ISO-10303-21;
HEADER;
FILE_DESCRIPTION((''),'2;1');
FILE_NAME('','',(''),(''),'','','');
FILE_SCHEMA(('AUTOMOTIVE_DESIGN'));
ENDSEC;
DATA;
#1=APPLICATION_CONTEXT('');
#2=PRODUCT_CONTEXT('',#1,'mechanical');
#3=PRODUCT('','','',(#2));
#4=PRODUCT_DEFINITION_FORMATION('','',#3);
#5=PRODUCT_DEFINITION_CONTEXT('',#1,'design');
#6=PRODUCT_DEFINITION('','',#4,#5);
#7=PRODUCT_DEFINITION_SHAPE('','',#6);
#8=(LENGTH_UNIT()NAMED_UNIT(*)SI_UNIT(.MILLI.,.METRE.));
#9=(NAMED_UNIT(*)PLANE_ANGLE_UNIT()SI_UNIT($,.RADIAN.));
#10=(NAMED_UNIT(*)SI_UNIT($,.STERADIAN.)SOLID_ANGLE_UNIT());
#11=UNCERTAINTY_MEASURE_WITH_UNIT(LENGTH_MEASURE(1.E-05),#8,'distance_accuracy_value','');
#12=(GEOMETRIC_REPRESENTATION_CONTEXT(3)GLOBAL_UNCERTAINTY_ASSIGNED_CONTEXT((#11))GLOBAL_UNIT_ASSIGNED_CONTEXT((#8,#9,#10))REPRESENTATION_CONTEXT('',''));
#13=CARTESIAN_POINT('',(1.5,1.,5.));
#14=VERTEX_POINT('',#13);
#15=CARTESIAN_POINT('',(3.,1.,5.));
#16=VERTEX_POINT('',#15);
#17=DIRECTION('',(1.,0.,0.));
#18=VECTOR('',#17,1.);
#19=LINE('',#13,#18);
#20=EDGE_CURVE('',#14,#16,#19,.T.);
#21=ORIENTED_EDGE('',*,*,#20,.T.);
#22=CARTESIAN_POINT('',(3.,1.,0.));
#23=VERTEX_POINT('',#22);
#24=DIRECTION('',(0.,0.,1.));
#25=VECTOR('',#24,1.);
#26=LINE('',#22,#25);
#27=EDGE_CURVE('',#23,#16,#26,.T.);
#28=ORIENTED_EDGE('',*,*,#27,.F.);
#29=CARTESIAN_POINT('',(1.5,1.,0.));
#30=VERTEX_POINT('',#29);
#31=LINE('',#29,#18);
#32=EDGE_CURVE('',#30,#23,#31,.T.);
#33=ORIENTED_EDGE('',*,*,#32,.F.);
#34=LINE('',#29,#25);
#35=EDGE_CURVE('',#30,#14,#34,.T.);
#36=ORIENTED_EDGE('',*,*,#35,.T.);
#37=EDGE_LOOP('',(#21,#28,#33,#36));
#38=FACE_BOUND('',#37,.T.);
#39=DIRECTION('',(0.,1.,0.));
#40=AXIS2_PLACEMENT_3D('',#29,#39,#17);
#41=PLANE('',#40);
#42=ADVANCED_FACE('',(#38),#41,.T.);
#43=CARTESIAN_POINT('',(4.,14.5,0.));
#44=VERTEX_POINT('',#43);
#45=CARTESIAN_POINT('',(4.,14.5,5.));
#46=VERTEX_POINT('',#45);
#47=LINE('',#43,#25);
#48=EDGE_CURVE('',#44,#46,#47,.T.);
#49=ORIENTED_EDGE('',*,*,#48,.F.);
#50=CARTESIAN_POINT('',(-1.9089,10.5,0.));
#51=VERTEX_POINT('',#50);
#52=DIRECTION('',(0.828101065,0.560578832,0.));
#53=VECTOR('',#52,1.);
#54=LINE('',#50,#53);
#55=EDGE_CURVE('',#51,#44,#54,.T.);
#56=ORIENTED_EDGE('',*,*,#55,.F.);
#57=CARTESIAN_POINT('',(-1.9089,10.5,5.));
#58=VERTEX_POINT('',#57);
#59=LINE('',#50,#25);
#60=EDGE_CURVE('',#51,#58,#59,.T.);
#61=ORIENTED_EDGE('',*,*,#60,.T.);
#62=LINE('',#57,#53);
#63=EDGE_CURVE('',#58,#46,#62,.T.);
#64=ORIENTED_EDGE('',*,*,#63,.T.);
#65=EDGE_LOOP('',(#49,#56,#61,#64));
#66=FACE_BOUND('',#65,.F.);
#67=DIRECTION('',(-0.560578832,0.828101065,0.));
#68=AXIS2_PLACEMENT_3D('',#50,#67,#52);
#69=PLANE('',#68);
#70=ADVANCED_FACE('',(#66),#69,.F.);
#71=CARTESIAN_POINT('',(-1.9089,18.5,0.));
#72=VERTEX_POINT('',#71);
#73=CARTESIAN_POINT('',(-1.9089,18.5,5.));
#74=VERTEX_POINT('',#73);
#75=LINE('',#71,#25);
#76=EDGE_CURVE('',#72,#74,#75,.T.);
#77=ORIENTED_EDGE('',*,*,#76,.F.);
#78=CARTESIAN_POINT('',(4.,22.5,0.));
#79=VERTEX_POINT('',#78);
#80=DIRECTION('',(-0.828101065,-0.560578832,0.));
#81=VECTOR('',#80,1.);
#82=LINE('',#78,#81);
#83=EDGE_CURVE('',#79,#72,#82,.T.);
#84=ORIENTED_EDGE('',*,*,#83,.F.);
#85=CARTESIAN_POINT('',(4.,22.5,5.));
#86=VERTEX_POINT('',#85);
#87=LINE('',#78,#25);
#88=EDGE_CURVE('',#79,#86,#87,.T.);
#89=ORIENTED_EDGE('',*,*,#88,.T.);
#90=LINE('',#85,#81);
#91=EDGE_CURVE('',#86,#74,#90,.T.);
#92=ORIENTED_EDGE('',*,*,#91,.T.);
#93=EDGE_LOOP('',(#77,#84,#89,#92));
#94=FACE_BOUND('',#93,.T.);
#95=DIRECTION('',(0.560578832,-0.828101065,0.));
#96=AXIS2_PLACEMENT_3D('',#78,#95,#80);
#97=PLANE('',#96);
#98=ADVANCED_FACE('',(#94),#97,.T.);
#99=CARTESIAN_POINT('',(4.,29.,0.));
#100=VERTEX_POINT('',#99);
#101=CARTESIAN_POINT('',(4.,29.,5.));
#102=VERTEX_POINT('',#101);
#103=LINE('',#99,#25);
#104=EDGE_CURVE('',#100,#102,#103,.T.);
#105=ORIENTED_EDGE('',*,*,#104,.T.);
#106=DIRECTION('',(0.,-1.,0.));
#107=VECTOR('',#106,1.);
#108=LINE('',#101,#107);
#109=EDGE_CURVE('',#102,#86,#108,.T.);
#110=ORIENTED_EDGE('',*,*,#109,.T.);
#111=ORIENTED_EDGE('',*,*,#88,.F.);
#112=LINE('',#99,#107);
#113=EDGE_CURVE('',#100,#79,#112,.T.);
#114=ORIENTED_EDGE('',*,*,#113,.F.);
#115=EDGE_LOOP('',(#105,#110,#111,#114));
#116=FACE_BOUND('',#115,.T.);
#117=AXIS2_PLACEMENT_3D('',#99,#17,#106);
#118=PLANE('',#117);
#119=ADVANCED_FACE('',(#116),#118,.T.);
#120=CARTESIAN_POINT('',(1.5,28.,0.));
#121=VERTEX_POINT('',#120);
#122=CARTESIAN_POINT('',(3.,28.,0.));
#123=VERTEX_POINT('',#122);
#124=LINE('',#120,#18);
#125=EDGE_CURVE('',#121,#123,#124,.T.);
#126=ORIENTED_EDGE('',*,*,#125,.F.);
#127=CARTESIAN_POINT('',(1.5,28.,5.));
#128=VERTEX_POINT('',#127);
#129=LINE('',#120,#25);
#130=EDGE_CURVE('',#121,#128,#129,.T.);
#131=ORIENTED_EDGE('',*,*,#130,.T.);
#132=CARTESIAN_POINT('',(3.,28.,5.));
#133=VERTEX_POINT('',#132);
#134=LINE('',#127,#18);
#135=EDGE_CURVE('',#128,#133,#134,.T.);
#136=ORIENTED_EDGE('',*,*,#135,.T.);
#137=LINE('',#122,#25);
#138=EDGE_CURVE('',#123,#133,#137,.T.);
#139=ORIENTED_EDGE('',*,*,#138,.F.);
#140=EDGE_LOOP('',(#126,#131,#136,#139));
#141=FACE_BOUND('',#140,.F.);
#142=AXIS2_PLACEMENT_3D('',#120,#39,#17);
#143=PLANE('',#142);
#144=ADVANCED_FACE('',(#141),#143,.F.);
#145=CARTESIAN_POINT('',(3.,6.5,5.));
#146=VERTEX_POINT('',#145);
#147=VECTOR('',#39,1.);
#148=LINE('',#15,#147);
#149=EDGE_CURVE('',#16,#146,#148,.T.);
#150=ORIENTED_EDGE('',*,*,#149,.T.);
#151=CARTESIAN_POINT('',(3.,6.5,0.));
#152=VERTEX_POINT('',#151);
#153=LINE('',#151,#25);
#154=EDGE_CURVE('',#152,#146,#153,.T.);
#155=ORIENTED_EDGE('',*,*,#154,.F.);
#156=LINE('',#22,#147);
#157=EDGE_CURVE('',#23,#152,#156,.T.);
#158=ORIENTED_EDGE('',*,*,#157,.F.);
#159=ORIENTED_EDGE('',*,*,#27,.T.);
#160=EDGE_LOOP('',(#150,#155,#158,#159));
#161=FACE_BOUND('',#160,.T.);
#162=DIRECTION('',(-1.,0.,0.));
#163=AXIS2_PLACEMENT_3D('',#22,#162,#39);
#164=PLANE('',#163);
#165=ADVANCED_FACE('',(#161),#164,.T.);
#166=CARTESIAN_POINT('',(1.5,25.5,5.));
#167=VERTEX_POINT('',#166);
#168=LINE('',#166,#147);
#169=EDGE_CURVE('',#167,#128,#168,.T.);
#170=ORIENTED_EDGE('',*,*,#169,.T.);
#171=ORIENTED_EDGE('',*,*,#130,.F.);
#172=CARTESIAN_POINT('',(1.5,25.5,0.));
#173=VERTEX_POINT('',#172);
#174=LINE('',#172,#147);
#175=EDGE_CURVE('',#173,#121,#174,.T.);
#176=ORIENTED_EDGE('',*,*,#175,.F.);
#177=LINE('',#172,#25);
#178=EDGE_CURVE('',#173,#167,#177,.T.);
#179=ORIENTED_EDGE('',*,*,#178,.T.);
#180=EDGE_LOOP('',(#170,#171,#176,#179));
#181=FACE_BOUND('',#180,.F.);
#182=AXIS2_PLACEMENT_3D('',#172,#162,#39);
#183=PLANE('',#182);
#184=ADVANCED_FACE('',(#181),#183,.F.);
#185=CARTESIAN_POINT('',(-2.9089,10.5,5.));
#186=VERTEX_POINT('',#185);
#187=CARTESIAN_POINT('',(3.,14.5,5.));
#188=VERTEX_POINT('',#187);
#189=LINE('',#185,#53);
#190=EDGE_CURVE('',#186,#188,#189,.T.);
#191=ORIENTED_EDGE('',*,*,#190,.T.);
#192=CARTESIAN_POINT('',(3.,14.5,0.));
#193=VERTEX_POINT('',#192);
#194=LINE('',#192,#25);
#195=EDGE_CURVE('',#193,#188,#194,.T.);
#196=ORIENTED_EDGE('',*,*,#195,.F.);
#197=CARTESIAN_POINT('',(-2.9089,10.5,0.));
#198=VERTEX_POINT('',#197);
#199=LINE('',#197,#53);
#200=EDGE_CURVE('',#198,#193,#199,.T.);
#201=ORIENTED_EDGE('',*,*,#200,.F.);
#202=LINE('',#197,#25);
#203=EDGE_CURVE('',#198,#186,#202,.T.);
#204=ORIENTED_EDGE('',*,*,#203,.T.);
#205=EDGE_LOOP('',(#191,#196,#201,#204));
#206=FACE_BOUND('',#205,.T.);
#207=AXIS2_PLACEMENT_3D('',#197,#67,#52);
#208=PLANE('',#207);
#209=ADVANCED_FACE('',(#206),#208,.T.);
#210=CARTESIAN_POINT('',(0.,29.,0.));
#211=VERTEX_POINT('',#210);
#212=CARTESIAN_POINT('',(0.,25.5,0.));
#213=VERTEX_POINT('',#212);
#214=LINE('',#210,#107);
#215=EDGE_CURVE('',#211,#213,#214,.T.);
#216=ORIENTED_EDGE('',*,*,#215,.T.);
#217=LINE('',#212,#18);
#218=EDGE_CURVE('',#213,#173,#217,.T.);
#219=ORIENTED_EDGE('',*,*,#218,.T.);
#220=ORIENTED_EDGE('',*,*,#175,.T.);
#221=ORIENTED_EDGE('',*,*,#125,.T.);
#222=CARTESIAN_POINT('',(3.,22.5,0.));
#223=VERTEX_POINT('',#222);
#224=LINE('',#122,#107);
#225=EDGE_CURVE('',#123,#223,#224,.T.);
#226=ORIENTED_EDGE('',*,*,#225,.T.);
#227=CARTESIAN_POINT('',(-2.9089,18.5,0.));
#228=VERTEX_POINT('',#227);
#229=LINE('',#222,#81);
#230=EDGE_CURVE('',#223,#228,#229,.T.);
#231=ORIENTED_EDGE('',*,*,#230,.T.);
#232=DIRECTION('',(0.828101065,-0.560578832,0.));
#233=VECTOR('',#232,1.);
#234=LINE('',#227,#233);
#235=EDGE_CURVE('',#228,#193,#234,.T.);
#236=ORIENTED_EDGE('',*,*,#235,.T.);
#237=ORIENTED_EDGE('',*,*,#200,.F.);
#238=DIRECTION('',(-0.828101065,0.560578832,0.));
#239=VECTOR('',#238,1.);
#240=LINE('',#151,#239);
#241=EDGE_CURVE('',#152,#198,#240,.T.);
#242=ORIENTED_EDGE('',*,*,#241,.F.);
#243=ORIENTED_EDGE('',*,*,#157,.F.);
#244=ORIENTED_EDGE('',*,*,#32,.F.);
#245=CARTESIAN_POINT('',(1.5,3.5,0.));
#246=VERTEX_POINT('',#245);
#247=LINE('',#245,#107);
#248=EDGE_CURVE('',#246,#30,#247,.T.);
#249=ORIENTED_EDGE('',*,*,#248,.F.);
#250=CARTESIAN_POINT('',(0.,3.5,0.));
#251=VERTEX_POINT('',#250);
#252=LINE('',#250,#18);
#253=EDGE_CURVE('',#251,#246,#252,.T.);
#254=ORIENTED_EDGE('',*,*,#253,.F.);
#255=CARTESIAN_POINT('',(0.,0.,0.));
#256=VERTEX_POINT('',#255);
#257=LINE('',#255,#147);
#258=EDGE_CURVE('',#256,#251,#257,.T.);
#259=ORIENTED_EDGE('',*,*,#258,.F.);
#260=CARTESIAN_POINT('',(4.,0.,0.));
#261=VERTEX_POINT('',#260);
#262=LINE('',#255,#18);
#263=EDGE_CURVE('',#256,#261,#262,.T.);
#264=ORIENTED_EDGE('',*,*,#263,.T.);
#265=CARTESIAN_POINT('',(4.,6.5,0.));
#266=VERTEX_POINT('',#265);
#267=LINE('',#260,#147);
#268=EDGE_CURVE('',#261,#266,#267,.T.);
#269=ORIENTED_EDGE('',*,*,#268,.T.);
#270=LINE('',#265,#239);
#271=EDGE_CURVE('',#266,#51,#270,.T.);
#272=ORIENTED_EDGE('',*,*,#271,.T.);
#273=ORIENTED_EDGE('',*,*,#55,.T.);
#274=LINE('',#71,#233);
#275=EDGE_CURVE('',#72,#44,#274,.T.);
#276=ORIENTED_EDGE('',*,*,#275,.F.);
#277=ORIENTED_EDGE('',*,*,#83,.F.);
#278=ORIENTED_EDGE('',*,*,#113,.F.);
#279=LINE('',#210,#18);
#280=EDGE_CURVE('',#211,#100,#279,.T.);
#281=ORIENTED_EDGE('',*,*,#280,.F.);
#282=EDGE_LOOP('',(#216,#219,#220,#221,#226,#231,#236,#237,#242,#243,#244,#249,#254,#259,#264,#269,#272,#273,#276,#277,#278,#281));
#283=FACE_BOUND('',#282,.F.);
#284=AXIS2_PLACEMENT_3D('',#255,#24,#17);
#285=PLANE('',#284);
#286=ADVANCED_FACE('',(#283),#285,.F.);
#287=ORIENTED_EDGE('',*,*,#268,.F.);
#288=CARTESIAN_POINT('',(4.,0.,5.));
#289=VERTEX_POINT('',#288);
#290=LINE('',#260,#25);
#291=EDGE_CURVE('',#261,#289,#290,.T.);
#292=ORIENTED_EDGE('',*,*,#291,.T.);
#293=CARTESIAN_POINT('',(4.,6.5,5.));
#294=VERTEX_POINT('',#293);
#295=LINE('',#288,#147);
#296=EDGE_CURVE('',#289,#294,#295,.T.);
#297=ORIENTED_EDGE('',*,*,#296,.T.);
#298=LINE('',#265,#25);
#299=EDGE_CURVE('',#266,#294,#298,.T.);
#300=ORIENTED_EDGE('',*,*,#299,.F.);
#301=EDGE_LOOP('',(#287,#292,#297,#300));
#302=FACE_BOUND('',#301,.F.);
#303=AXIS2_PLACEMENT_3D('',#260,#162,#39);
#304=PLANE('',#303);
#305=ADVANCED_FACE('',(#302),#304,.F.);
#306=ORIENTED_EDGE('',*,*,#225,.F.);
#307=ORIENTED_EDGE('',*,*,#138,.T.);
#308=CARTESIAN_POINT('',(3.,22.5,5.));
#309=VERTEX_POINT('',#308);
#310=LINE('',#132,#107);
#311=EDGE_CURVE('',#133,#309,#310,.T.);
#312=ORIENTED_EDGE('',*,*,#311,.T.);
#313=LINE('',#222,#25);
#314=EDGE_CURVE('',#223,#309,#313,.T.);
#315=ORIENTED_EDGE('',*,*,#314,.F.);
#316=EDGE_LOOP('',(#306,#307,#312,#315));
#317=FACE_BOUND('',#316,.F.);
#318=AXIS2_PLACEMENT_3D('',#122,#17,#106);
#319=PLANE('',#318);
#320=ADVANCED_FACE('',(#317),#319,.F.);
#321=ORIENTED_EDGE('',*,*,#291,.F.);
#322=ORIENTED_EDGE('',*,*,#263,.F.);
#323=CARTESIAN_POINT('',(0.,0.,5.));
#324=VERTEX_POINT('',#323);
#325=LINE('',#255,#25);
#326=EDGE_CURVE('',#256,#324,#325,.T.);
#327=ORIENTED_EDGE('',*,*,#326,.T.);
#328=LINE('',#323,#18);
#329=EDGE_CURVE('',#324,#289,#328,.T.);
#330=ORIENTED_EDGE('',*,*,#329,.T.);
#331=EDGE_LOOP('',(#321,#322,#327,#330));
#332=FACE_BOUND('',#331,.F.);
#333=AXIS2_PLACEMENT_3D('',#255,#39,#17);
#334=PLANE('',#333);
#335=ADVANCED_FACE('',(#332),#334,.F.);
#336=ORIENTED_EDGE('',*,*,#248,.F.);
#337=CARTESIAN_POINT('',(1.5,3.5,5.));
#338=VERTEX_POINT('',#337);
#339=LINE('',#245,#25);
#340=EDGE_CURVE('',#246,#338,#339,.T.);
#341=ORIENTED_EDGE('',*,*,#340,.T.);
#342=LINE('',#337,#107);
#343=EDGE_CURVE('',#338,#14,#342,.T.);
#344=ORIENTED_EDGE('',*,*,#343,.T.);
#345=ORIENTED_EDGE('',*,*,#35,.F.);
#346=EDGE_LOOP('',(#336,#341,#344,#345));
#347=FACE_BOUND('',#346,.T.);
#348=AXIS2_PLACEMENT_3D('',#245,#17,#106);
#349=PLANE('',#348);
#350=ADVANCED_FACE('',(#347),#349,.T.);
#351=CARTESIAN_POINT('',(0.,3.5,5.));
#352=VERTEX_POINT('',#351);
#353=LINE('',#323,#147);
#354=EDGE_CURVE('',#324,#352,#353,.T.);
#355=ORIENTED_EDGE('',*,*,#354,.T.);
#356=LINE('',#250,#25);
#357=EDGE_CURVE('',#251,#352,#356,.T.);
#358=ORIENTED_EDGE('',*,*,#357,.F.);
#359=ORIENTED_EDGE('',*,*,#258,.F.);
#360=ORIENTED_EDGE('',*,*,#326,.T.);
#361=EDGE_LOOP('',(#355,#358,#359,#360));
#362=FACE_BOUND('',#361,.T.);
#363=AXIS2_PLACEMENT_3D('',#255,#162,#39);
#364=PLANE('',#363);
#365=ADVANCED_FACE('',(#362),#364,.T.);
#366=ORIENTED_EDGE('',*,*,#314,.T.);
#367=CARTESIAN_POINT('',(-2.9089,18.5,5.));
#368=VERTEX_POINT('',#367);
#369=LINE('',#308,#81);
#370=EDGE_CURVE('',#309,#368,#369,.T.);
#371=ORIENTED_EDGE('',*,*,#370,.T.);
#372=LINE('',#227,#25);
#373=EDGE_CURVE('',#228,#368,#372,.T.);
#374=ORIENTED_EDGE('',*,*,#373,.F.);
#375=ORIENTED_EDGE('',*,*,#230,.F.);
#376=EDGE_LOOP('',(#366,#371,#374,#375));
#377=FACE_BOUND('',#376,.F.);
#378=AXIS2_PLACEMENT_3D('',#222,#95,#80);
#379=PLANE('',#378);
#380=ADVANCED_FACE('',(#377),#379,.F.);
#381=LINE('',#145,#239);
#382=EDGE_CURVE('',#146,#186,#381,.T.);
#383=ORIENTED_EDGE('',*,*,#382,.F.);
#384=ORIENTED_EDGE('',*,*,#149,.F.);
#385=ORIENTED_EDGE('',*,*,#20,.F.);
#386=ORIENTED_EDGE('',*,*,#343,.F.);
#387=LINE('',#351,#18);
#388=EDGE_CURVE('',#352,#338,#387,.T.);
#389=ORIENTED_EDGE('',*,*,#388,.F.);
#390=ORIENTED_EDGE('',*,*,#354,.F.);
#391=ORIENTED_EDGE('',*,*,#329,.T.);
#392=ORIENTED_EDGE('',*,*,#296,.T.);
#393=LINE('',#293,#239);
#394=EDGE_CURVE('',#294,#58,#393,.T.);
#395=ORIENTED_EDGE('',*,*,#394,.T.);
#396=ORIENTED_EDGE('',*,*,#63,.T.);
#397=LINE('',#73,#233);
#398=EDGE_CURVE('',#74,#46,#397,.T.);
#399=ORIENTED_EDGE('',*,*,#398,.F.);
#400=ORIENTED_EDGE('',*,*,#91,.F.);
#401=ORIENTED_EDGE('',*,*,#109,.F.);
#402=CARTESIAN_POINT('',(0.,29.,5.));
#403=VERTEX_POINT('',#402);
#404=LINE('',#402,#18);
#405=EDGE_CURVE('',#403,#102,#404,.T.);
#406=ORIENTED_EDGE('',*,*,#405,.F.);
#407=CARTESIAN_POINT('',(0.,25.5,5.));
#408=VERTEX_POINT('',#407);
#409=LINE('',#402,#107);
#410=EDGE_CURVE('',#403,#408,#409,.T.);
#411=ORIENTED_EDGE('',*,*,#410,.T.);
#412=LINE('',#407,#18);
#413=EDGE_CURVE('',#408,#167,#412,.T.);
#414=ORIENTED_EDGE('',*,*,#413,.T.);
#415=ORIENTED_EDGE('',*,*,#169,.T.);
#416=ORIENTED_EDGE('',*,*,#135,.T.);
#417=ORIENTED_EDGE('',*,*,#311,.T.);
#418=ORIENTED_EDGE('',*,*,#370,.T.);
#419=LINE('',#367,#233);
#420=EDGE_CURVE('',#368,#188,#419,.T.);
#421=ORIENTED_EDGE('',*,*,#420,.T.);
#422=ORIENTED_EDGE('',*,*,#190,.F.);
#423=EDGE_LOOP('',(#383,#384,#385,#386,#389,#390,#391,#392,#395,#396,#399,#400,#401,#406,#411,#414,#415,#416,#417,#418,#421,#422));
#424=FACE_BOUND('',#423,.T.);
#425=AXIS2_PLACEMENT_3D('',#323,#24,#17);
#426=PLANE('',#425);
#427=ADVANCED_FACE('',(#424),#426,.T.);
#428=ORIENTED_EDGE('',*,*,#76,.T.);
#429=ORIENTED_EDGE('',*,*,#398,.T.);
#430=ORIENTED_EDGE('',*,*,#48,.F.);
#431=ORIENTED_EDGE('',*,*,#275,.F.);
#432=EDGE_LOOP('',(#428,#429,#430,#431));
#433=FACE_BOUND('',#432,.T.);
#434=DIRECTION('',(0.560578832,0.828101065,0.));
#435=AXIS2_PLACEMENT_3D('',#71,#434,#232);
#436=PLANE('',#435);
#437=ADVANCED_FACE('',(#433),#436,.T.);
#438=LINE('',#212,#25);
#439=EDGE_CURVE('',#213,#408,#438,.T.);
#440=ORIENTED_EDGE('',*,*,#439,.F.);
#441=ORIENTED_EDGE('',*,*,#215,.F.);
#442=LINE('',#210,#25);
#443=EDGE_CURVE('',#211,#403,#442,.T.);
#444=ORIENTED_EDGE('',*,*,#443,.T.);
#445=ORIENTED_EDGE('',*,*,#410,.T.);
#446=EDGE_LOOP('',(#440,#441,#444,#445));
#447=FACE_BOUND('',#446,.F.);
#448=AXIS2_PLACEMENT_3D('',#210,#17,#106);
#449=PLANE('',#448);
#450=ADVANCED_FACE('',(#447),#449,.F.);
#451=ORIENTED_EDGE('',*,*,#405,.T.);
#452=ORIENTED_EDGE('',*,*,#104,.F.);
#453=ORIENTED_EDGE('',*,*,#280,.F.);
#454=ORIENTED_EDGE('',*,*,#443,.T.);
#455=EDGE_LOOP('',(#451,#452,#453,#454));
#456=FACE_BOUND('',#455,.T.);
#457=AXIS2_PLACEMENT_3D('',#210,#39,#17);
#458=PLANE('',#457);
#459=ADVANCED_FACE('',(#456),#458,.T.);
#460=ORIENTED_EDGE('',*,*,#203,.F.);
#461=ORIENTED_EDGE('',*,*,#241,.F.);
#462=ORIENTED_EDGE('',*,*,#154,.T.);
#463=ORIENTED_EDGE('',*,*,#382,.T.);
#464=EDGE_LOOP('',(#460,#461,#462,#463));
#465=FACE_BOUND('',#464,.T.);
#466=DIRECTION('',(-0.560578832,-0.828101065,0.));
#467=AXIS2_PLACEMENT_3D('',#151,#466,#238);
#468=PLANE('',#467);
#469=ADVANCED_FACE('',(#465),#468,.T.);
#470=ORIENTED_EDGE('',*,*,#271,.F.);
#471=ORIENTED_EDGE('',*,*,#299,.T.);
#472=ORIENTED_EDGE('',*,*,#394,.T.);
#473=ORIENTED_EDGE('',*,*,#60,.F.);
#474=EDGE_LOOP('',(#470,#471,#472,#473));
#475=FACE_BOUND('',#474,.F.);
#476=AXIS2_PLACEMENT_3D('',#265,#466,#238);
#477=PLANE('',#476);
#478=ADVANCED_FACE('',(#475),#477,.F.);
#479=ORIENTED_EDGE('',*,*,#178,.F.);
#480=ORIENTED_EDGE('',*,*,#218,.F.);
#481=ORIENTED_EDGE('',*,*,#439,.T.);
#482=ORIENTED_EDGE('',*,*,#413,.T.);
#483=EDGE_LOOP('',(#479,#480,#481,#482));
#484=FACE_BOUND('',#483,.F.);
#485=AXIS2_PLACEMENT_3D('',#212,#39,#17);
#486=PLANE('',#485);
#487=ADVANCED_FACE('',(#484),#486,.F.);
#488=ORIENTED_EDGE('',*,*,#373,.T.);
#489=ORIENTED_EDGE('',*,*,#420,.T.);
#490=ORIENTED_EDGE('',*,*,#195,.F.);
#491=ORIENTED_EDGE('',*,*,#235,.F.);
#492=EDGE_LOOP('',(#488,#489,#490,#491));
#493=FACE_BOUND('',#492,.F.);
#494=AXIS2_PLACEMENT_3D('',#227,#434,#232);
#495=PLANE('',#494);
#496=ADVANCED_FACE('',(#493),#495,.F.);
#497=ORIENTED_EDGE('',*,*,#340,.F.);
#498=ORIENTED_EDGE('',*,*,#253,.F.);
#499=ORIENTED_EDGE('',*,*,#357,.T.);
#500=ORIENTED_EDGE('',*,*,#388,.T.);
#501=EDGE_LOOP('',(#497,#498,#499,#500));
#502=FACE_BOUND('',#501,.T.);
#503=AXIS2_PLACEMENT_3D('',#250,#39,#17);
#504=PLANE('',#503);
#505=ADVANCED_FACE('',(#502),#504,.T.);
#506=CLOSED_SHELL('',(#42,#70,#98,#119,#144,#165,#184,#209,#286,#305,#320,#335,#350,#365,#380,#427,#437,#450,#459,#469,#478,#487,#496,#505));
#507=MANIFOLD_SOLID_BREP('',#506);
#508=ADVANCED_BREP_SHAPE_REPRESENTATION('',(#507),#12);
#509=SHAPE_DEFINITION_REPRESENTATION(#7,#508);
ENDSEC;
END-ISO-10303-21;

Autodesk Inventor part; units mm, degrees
ref_plane "YZ Plane" through (0, 0, 0) normal (1, 0, 0) x (0, 1, 0)
ref_plane "XZ Plane" through (0, 0, 0) normal (0, 1, 0) x (-1, 0, 0)
ref_plane "XY Plane" through (0, 0, 0) normal (0, 0, 1) x (1, 0, 0)
sketch "Sketch1" plane through (0, 0, 0) normal (0, 0, 1) x (1, 0, 0)
  line L0 (0, 0) -> (0, 3.5)
  line L1 (0, 3.5) -> (1.5, 3.5)
  line L2 (1.5, 3.5) -> (1.5, 1)
  line L3 (1.5, 1) -> (3, 1)
  line L4 (3, 1) -> (3, 6.5)
  line L5 (0, 0) -> (4, 0)
  line L6 (4, 0) -> (4, 6.5)
  line L7 (3, 6.5) -> (-2.9089, 10.5)
  line L8 (4, 6.5) -> (-1.9089, 10.5)
  line L9 (-2.9089, 10.5) -> (3, 14.5)
  line L10 (-1.9089, 10.5) -> (4, 14.5)
  line L11 (4.8688, 14.5) -> (7.9989, 14.5)
  line L12 (2, 10.5) -> (4.7625, 10.5)
  line L13 (0, 29) -> (0, 25.5)
  line L14 (0, 25.5) -> (1.5, 25.5)
  line L15 (1.5, 25.5) -> (1.5, 28)
  line L16 (1.5, 28) -> (3, 28)
  line L17 (3, 28) -> (3, 22.5)
  line L18 (0, 29) -> (4, 29)
  line L19 (4, 29) -> (4, 22.5)
  line L20 (3, 22.5) -> (-2.9089, 18.5)
  line L21 (4, 22.5) -> (-1.9089, 18.5)
  line L22 (-2.9089, 18.5) -> (3, 14.5)
  line L23 (-1.9089, 18.5) -> (4, 14.5)
  line L24 (2, 18.5) -> (4.7625, 18.5)
  dimension "d0" = 3.5
  dimension "d1" = 1.5
  dimension "d2" = 2.5
  dimension "d3" = 1.5
  dimension "d4" = 5.5
  dimension "d5" = 4
  dimension "d7" = 6.5
  dimension "d8" = 0
  dimension "d10" = 8
  dimension "d11" = 4
extrude "Extrusion1" add sketch "Sketch1" along normal blind 5
equation "\"d10\" = 2 * d11"
properties part number "Spring Mk 1"
